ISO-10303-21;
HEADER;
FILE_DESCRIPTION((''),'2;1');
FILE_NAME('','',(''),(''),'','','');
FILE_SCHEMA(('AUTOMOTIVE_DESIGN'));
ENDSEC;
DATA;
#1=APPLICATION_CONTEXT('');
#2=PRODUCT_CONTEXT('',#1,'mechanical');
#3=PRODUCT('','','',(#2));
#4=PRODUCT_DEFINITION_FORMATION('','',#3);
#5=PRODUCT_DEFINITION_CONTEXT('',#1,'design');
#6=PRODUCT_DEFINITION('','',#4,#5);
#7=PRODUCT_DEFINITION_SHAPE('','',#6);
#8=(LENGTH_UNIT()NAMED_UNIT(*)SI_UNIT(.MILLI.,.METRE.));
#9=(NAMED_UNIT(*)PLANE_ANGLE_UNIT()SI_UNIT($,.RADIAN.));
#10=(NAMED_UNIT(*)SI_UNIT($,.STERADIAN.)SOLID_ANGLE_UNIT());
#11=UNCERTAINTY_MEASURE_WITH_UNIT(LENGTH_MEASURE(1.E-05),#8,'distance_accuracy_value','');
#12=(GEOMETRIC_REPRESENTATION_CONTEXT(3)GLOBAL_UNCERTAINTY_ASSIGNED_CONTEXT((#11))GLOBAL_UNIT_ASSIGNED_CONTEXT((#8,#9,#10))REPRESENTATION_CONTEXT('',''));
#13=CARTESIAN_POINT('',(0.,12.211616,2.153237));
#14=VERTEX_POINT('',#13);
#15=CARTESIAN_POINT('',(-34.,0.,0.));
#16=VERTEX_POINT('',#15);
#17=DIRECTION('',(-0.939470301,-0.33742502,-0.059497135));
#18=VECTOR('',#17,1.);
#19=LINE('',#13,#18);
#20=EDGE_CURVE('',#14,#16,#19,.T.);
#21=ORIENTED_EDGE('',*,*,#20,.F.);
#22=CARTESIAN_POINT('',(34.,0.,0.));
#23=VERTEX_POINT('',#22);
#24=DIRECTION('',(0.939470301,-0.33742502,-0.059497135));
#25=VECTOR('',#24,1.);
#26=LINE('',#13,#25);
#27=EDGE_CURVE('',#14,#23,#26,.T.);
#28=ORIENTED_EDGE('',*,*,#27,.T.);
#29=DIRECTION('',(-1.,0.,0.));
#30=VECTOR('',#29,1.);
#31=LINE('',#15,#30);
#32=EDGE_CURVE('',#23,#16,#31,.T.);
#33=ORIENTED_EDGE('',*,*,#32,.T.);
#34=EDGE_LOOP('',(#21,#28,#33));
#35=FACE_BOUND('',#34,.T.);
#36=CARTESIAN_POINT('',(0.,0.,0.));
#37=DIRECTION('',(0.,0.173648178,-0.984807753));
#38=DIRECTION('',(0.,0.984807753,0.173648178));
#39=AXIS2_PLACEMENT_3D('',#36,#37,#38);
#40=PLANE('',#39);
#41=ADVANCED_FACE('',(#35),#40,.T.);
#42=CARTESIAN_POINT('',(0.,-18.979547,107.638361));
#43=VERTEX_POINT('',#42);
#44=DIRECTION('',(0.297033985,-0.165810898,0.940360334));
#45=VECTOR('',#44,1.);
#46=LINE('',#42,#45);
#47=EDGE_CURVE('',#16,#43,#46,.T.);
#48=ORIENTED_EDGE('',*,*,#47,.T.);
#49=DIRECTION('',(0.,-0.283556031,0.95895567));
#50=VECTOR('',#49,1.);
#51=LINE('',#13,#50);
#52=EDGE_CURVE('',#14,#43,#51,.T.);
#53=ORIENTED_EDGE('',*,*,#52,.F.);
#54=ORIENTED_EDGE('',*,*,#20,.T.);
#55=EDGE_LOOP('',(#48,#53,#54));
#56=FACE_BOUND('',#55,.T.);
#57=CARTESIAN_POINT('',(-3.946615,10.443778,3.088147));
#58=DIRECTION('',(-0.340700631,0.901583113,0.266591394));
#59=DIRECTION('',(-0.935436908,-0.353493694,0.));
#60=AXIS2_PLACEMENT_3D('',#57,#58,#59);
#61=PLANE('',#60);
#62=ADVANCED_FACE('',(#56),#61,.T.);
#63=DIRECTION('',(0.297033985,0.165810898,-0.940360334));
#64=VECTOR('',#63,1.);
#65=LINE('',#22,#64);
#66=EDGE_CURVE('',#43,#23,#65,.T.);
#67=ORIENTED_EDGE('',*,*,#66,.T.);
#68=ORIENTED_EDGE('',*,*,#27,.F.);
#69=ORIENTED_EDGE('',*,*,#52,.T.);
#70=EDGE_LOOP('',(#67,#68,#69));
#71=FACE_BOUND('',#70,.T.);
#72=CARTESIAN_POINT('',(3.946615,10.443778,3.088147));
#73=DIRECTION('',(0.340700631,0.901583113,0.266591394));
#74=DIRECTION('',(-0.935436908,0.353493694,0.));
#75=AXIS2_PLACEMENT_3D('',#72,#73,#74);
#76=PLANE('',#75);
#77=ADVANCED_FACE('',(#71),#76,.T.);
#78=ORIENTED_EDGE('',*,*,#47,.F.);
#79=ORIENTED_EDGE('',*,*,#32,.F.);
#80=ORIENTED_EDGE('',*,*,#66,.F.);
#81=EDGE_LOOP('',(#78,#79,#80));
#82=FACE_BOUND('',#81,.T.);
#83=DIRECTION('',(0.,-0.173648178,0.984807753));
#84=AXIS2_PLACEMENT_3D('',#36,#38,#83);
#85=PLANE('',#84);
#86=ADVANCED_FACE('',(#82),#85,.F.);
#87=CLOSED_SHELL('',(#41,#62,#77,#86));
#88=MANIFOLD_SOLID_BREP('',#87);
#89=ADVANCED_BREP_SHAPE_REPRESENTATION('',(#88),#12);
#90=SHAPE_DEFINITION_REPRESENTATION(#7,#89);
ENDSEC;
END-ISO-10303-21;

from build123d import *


with BuildPart() as part:
    # Sketch2 → Loft1 section 0
    with BuildSketch(Plane(origin=(0, 0, 0), x_dir=(1, 0, 0), z_dir=(0, 0.9848077530122068, 0.17364817766693802)), mode=Mode.PRIVATE) as loft1_s0:
        with BuildLine():
            Line((0, -109.298856353), (-34, 0))
            Line((-34, 0), (34, 0))
            Line((34, 0), (0, -109.298856353))
        make_face()
    loft([Vertex(0, 12.211616137, 2.153237403), loft1_s0.sketch])


solid = part.part
